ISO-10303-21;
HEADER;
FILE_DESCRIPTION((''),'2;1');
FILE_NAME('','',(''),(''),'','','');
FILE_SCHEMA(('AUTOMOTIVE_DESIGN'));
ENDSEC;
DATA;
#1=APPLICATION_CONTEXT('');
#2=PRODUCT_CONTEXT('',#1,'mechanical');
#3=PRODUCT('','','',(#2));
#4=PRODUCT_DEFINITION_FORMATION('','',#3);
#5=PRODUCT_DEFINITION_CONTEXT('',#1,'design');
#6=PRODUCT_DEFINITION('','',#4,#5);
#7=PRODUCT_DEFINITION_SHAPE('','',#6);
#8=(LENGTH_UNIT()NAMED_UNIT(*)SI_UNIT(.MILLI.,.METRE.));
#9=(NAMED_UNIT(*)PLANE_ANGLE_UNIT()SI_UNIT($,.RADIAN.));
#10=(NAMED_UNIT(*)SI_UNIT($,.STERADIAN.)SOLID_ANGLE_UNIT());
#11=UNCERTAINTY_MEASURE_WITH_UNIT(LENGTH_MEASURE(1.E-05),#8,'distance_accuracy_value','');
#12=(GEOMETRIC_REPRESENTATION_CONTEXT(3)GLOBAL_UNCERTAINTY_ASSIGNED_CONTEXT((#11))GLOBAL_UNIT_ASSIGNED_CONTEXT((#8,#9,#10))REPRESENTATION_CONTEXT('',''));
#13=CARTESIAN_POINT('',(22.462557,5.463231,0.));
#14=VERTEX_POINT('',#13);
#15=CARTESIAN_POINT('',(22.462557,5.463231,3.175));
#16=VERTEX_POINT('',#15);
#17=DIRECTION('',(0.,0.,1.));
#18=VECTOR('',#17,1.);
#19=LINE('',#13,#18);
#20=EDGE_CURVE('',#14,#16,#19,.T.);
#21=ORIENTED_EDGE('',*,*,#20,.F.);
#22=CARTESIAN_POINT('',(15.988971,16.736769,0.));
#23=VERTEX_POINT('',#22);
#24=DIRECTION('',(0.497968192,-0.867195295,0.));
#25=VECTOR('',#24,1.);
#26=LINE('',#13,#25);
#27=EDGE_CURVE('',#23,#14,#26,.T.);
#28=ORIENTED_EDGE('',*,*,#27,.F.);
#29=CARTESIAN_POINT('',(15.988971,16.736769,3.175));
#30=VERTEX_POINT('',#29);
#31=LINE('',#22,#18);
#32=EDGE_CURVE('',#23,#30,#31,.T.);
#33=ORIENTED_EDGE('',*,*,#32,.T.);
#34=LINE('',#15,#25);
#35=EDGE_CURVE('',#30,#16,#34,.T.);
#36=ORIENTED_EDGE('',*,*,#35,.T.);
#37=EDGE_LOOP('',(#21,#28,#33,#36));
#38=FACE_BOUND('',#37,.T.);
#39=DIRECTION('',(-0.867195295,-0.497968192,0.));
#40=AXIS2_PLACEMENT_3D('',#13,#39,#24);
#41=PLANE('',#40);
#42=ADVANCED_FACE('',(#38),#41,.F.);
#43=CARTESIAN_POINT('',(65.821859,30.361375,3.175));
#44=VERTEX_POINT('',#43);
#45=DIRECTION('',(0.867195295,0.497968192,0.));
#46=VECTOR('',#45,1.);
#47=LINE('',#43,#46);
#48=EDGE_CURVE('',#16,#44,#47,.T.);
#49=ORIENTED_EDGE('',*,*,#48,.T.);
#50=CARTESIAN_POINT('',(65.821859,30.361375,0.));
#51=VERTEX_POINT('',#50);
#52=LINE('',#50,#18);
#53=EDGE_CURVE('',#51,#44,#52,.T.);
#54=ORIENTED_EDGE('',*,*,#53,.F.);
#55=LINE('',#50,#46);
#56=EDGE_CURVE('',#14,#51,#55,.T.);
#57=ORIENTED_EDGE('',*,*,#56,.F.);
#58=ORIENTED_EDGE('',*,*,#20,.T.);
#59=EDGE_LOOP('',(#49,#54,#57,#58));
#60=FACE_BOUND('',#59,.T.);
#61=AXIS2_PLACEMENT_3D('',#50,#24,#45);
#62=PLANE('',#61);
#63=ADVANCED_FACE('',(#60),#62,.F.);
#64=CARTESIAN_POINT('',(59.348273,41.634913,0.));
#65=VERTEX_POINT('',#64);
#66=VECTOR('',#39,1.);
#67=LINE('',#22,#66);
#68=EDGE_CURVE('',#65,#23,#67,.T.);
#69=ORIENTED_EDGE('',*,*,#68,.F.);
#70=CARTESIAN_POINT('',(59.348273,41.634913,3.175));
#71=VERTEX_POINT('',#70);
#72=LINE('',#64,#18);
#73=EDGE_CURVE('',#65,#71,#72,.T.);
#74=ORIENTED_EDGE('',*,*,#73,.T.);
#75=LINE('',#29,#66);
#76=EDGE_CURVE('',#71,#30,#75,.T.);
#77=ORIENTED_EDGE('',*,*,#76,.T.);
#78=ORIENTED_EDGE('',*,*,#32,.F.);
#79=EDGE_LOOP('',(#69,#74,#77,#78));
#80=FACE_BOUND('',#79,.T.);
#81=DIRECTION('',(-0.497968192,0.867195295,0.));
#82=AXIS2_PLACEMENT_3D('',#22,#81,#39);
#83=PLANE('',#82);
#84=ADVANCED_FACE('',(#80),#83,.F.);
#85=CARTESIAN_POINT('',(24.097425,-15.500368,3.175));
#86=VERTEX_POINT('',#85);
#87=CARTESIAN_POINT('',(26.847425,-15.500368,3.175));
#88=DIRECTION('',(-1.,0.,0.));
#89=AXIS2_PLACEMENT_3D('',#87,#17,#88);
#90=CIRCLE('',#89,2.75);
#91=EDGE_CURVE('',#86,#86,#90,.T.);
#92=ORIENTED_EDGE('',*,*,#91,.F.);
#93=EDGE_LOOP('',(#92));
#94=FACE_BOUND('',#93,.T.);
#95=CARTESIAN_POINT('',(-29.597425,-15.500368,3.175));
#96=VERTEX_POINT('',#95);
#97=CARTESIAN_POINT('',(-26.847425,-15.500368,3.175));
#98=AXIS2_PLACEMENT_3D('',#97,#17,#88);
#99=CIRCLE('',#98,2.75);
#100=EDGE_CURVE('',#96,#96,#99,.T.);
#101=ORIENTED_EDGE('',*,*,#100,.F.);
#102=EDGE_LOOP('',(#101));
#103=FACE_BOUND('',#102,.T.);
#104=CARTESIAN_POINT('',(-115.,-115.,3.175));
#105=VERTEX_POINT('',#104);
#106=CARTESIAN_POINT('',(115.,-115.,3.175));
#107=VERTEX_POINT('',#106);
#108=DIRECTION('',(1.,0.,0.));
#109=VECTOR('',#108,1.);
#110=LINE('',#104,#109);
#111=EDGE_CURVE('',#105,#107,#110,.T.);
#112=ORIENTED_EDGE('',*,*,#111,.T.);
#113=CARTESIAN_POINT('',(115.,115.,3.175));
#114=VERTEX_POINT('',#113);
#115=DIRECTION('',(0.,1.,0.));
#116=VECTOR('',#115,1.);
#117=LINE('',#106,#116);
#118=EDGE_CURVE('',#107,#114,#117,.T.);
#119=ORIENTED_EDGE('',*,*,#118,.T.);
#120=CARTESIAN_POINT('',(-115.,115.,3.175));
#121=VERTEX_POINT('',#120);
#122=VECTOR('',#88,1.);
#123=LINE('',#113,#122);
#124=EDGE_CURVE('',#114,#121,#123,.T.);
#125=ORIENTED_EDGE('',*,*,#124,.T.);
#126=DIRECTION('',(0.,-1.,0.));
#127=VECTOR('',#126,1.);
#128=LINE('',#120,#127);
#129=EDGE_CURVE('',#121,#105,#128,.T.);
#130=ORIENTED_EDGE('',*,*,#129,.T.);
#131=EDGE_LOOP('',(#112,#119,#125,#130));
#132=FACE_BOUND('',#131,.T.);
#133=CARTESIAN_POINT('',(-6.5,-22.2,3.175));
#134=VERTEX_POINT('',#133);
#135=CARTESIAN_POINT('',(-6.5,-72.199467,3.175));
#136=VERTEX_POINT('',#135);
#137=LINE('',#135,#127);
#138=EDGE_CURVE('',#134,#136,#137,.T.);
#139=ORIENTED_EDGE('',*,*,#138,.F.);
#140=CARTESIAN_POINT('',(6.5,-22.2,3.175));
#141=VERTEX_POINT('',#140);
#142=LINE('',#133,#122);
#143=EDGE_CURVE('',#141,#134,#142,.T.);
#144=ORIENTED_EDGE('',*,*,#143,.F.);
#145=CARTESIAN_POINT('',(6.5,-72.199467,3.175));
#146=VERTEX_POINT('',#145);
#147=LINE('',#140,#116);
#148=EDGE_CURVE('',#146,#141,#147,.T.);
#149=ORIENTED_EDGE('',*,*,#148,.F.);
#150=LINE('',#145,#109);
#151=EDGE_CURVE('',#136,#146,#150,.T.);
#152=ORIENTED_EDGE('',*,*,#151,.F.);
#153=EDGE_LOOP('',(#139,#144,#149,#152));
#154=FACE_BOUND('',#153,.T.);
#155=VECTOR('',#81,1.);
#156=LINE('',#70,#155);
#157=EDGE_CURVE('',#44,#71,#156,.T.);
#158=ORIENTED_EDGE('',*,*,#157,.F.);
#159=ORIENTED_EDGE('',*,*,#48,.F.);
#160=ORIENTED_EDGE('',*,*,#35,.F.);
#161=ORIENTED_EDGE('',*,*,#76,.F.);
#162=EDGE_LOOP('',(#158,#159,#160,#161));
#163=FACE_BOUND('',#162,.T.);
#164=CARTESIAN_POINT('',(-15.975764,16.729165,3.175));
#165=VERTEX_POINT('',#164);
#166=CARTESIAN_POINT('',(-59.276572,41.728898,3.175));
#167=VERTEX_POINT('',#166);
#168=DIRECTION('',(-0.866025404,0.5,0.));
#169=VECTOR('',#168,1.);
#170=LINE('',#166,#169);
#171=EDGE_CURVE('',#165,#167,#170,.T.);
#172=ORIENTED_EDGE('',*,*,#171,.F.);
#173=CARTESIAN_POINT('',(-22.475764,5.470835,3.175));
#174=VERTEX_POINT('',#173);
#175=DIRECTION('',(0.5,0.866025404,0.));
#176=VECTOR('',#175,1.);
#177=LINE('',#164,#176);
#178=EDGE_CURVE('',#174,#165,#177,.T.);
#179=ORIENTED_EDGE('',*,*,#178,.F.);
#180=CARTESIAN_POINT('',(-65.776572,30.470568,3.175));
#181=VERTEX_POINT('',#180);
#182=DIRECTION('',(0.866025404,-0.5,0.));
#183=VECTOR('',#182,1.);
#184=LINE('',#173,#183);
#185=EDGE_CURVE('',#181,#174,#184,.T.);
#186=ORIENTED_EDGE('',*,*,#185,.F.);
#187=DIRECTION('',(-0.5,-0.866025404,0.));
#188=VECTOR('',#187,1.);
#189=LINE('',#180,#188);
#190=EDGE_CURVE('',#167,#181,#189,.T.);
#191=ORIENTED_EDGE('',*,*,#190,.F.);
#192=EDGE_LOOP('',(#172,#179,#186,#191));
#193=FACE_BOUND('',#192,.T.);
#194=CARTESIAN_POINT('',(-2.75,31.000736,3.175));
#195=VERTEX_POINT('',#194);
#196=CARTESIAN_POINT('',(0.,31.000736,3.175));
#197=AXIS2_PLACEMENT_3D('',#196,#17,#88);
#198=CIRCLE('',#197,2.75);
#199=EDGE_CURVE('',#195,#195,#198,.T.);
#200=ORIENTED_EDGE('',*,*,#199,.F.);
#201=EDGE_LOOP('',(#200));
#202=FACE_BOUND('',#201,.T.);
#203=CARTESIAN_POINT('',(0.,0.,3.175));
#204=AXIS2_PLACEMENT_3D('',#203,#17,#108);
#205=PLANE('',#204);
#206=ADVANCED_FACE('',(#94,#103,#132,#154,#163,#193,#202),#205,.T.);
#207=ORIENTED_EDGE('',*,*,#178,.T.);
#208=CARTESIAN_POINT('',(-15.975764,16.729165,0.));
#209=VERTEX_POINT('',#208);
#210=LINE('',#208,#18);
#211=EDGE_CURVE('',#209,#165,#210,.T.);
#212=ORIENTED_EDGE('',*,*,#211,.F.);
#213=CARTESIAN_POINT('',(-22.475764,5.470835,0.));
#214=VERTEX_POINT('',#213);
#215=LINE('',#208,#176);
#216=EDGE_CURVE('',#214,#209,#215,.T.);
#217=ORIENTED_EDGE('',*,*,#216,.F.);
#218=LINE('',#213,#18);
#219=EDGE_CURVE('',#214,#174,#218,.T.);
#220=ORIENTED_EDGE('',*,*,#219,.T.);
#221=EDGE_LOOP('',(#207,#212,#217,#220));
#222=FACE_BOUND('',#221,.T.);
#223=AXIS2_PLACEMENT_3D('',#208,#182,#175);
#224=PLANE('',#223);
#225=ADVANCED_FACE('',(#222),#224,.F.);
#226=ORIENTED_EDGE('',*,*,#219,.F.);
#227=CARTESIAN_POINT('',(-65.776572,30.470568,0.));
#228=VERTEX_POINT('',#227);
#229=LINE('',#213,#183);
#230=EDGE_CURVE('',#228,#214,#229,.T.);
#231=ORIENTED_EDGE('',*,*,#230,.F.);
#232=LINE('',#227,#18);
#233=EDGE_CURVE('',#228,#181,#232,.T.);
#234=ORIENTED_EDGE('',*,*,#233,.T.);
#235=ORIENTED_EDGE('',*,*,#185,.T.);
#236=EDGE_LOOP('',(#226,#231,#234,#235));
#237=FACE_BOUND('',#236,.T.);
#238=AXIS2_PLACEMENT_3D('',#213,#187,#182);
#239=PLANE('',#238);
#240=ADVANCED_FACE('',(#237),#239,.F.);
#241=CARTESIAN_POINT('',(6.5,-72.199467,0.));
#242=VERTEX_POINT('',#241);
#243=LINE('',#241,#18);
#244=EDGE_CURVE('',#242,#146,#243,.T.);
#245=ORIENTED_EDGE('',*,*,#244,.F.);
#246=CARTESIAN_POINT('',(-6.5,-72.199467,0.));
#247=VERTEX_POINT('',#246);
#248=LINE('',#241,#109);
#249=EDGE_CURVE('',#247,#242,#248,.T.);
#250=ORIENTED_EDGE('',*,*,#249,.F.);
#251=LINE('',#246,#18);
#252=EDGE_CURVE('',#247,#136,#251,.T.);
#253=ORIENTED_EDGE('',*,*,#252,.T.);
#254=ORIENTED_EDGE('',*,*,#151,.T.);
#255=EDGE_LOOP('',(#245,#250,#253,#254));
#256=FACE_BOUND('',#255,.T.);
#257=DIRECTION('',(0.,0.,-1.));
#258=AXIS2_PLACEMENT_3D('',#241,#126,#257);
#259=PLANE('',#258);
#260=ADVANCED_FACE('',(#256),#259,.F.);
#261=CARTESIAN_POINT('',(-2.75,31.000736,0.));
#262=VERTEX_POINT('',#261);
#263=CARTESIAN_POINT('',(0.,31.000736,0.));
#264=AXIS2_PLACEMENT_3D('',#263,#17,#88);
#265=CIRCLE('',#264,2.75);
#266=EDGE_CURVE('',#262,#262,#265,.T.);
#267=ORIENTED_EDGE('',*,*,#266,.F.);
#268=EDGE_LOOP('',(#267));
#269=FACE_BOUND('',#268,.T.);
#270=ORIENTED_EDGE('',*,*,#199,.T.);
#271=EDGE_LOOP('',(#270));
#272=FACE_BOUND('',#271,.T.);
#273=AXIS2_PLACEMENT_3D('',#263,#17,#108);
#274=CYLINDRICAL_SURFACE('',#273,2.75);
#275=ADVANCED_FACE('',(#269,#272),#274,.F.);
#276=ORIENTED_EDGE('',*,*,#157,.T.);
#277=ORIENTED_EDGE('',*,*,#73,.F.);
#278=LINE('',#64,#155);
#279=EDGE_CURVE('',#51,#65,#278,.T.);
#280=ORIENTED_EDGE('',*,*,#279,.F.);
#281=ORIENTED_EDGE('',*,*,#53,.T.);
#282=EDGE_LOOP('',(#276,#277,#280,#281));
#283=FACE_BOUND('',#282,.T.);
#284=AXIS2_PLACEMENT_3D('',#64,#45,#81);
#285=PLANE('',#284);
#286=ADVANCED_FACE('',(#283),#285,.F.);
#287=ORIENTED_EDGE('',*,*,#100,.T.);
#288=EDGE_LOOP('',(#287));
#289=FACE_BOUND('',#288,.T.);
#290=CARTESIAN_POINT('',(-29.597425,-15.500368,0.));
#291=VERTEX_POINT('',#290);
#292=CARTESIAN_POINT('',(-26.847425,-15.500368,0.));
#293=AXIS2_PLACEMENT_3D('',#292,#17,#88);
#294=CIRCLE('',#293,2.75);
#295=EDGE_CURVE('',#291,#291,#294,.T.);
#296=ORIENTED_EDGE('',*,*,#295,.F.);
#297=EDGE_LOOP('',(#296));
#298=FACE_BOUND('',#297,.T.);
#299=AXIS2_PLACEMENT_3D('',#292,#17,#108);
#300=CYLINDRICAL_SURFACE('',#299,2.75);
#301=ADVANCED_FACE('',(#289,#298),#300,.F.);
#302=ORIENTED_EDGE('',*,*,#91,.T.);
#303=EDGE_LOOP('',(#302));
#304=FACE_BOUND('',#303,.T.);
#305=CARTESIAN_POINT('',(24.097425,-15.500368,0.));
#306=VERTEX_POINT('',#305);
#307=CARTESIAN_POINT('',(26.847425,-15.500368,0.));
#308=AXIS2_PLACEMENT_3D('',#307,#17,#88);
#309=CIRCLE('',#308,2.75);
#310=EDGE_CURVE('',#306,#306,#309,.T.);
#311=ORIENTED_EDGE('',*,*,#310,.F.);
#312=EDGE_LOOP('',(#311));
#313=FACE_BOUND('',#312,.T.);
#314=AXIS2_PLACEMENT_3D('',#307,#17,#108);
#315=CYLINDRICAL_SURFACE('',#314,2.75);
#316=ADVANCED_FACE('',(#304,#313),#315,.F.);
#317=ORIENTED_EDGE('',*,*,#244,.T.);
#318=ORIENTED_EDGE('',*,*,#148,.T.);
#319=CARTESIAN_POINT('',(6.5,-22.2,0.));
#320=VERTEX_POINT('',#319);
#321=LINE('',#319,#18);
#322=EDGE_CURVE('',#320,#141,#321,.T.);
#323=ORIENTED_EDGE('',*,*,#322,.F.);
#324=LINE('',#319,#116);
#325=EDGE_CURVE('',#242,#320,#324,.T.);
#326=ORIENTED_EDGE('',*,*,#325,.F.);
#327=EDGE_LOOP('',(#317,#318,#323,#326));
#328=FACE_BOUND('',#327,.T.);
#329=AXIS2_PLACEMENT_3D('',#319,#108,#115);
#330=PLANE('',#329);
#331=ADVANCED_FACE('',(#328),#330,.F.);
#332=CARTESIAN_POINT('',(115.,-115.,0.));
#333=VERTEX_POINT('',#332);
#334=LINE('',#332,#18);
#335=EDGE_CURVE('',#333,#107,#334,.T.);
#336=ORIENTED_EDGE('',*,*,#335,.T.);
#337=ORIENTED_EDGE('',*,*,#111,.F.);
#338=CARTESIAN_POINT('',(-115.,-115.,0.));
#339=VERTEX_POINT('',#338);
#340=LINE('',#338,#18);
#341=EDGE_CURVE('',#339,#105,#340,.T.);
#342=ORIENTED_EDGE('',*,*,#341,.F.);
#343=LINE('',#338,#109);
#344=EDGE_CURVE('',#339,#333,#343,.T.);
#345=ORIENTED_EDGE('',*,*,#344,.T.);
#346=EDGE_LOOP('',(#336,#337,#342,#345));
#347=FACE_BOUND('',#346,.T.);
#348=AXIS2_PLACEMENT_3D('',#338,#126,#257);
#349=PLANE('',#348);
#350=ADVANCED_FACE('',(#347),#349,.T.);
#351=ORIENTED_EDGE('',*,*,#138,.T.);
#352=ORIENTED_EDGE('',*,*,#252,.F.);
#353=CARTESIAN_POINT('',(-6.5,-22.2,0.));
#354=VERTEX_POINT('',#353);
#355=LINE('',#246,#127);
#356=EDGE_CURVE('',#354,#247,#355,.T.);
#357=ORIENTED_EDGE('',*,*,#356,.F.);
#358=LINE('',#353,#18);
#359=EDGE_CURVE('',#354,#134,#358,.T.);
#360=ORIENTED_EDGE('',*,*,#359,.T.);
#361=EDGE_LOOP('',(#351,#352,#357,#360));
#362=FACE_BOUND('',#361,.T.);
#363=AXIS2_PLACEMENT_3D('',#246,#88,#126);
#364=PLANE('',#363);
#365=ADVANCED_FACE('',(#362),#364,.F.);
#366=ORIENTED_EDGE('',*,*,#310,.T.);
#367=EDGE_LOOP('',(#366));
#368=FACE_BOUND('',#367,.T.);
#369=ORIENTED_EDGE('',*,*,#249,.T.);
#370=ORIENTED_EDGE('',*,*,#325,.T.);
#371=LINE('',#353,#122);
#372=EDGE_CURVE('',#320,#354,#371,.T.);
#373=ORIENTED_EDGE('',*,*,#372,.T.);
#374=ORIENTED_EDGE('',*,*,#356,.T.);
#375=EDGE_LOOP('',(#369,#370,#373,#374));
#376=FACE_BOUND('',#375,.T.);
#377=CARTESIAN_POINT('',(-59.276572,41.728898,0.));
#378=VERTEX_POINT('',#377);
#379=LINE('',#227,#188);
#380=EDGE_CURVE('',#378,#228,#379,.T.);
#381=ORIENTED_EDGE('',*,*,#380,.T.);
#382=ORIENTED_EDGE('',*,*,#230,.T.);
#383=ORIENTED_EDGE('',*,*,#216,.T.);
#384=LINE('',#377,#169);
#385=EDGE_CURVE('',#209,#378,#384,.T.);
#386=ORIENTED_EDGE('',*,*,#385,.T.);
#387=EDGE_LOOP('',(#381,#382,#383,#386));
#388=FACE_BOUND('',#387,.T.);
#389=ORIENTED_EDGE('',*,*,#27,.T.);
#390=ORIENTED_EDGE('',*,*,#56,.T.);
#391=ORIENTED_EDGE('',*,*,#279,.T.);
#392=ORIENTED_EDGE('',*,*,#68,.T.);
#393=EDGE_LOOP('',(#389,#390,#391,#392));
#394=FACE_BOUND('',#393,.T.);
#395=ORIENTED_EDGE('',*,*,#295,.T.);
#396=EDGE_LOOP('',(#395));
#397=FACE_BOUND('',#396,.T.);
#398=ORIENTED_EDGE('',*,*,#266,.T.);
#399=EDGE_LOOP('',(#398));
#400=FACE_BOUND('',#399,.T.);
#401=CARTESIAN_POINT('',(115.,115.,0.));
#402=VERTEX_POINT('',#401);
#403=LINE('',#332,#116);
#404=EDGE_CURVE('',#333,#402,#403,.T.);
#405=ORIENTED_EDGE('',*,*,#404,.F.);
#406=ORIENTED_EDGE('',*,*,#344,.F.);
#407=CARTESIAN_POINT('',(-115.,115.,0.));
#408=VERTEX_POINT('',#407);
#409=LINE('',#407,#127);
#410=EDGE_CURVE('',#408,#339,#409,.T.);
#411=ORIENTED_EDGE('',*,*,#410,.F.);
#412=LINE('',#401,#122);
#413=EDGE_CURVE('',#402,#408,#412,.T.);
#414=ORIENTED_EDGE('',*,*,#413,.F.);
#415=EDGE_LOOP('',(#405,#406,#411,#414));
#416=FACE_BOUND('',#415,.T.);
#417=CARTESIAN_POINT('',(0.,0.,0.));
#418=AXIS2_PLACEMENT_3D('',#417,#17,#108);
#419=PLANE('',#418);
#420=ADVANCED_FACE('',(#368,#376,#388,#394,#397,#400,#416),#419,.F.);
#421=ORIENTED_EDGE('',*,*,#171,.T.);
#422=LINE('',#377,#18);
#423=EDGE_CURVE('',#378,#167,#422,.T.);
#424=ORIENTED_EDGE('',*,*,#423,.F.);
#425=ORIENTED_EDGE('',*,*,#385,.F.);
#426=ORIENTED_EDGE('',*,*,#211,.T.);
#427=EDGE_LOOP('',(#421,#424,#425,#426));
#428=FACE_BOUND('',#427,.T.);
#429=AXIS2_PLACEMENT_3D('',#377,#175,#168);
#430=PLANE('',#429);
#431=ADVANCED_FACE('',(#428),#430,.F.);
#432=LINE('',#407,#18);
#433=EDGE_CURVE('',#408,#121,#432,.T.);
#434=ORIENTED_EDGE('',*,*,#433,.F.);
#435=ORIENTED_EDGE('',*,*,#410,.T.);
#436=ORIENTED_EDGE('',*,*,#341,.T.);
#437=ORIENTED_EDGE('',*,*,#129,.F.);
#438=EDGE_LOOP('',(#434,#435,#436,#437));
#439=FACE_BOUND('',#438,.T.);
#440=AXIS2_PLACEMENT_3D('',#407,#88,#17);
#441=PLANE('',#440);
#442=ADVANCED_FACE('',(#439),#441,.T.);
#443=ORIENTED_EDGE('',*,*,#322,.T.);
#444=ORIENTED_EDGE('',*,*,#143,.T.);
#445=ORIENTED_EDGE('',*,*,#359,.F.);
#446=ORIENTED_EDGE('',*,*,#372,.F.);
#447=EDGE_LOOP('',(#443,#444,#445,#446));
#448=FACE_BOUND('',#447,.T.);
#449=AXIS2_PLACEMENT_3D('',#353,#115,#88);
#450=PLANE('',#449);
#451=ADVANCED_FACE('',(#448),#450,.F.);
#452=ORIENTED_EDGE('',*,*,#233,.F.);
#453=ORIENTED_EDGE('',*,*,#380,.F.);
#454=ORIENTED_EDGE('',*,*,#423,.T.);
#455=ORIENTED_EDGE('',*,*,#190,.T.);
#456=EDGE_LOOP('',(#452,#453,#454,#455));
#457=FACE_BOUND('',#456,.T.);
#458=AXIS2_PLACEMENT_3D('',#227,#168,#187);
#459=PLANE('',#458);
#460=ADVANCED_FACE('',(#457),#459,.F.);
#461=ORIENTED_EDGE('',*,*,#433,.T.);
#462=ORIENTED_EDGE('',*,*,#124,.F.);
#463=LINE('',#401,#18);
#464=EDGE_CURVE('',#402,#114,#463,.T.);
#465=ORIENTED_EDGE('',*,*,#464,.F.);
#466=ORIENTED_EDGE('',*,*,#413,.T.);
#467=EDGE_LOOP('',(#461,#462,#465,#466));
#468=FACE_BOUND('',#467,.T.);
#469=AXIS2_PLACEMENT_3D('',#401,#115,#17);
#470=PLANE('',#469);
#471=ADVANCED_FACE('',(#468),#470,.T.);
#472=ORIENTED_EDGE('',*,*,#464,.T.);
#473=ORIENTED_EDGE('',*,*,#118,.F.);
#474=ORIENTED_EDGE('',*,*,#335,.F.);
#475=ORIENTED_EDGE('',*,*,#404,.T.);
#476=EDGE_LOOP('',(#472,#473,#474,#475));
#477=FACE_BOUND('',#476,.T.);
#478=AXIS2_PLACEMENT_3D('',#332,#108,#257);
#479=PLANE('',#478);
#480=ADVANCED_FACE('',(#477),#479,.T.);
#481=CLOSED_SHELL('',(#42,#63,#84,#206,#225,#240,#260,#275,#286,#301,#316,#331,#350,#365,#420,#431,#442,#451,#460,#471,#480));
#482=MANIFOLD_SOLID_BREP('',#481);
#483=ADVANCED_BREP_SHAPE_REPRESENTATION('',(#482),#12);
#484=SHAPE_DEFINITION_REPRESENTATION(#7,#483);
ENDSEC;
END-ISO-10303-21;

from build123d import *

# Parameters (mm, degrees)
SKETCH1_W           = 230
SKETCH1_H           = 230
SKETCH1_R           = 2.75
SKETCH1_W_2         = 13
SKETCH1_H_2         = 49.999466707
BOSS_EXTRUDE1_DEPTH = 3.175


with BuildPart() as part:
    # Sketch1 → Boss-Extrude1 (new body)
    with BuildSketch(Plane.XY.offset(3.175)):
        Rectangle(SKETCH1_W, SKETCH1_H)
        with Locations((-26.847424973, -15.500368035)):
            Circle(SKETCH1_R, mode=Mode.SUBTRACT)
        with Locations((26.847424973, -15.500368035)):
            Circle(SKETCH1_R, mode=Mode.SUBTRACT)
        with Locations((0, 31.00073607)):
            Circle(SKETCH1_R, mode=Mode.SUBTRACT)
        with Locations((0, -47.199733354)):
            Rectangle(SKETCH1_W_2, SKETCH1_H_2, mode=Mode.SUBTRACT)
        Polygon((15.988970715, 16.736769417), (59.348272994, 41.634913462), (65.821859492, 30.361374627), (22.462557213, 5.463230583), align=None, mode=Mode.SUBTRACT)
        Polygon((-65.776572308, 30.470568229), (-59.276572308, 41.728898478), (-15.975763964, 16.729165125), (-22.475763964, 5.470834875), align=None, mode=Mode.SUBTRACT)
    extrude(amount=-BOSS_EXTRUDE1_DEPTH)


solid = part.part
